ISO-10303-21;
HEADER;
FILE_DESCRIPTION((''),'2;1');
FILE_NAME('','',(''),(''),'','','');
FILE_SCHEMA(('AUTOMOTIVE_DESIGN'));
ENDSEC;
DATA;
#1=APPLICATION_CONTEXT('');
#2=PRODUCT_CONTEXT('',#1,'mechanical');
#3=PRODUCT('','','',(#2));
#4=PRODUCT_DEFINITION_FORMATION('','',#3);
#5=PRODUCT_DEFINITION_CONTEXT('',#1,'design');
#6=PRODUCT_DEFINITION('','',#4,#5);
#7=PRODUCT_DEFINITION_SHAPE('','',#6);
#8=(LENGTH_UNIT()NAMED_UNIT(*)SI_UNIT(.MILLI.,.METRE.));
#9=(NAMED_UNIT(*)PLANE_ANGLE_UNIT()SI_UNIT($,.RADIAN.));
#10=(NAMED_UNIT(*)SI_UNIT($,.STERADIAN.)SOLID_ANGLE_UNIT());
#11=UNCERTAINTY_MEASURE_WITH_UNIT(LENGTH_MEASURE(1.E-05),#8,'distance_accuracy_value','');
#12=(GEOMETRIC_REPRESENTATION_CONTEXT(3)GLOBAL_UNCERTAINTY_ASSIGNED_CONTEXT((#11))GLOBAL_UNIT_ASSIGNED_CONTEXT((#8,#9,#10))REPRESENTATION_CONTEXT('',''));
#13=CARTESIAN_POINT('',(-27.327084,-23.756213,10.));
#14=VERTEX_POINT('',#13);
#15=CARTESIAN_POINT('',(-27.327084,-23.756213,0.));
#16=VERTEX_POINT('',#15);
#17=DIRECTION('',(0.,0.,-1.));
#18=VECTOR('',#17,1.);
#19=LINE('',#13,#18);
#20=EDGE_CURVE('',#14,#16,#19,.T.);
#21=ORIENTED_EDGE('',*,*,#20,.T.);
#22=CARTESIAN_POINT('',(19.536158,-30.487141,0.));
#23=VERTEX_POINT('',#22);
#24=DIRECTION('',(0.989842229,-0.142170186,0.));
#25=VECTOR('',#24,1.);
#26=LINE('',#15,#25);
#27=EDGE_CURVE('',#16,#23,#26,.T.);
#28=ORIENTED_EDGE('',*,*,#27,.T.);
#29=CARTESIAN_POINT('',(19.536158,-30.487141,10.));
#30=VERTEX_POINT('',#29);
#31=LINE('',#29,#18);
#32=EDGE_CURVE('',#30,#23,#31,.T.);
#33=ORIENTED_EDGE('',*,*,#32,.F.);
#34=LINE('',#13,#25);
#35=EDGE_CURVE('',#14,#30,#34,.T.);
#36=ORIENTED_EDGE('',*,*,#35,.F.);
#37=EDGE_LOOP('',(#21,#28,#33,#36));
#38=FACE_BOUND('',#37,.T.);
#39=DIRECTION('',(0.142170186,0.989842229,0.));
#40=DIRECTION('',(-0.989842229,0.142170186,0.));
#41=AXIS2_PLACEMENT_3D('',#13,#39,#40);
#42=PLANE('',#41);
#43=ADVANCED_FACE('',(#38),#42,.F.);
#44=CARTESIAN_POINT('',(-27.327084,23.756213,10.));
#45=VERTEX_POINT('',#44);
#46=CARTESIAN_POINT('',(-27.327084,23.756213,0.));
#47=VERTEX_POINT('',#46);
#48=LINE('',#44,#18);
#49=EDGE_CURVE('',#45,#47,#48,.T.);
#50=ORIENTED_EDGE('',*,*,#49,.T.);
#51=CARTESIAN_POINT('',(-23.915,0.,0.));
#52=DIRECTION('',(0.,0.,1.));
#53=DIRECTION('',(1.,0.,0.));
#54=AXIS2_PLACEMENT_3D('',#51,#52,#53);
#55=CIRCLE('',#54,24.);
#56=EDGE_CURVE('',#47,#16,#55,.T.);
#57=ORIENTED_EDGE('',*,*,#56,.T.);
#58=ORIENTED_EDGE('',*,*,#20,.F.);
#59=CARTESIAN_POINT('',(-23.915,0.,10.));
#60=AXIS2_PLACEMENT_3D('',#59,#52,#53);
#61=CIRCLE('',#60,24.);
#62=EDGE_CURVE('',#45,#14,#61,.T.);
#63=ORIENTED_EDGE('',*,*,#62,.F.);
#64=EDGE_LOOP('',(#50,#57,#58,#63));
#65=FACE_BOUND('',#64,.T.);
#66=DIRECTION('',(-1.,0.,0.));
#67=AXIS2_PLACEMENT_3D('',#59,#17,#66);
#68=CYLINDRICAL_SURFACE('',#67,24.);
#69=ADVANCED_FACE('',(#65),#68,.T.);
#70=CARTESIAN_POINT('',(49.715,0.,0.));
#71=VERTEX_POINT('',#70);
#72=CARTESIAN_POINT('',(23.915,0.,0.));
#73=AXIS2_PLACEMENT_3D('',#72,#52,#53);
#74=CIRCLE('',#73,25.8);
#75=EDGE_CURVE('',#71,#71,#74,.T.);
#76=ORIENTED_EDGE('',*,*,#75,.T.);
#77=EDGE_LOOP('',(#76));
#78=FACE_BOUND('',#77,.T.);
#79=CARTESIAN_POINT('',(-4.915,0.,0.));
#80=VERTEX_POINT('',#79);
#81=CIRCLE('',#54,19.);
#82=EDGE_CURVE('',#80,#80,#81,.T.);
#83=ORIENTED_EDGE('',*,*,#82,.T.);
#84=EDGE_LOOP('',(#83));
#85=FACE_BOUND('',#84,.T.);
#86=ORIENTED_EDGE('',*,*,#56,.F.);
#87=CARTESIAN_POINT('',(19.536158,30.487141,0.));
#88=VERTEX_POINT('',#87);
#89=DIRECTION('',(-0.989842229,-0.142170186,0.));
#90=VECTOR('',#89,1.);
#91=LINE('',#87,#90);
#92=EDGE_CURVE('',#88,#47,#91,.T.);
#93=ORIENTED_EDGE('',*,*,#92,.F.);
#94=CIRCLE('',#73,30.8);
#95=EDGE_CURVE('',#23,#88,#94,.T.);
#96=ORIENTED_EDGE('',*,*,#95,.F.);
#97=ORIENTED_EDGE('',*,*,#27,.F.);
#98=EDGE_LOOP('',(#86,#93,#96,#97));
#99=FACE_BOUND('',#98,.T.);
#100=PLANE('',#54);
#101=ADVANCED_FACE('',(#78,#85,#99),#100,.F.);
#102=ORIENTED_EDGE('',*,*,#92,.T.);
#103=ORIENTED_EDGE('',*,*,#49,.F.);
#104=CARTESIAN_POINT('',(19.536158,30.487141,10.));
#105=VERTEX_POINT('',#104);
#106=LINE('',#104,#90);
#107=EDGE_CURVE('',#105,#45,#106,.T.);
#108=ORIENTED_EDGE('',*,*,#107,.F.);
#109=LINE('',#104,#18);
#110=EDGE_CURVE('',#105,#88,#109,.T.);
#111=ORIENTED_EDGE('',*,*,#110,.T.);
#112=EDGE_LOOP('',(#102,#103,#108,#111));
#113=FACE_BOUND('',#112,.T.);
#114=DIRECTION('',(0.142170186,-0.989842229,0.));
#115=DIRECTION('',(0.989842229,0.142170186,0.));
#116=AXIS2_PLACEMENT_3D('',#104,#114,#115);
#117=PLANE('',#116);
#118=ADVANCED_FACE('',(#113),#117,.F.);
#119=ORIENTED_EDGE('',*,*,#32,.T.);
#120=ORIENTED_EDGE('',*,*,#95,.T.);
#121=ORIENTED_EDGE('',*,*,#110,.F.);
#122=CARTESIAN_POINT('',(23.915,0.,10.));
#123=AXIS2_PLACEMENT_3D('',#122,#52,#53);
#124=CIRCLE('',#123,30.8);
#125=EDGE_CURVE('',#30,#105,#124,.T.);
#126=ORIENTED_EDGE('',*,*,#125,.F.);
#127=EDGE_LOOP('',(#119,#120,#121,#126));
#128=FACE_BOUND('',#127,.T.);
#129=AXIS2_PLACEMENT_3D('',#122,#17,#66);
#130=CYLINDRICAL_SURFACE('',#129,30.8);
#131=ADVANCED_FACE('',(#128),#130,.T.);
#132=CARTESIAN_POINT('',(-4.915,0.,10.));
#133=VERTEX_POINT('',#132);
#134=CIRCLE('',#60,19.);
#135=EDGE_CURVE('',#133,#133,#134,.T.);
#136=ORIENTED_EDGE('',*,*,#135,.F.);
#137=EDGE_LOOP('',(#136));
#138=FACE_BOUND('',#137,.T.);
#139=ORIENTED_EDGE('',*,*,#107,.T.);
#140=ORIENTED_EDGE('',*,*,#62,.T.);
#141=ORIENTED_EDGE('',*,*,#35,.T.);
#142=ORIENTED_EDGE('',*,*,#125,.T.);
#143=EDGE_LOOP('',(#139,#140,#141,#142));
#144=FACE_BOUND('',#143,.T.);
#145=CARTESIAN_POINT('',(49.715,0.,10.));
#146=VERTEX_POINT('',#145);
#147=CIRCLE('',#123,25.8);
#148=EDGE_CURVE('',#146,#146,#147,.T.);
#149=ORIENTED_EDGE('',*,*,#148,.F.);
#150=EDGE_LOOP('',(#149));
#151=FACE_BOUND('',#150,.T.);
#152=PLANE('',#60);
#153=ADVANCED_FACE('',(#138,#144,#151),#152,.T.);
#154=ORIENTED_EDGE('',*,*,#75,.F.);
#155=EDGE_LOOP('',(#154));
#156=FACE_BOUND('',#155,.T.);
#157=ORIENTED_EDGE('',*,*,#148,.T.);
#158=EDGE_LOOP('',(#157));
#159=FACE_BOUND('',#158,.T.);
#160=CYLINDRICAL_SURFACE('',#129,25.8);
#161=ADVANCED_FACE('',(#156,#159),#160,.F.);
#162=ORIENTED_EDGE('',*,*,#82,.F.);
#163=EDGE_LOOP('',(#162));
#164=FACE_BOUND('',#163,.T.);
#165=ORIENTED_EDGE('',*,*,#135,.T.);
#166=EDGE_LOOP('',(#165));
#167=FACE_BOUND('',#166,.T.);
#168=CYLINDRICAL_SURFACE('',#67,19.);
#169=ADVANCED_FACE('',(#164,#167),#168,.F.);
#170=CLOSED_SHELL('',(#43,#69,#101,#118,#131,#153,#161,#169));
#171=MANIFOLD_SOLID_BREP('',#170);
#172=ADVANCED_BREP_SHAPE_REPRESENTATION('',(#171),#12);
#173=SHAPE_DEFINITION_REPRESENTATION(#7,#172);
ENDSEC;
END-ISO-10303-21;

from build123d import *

# Parameters (mm, degrees)
ESBO_O1_R                = 25.8
ESBO_O1_R_2              = 19
RESSALTO_EXTRUS_O1_DEPTH = 10


with BuildPart() as part:
    # Esboço1 → Ressalto-extrusão1 (new body)
    with BuildSketch(Plane.XY):
        with BuildLine():
            Line((19.536158269, 30.487140651), (-27.327084466, 23.756213495))
            ThreePointArc((-27.327084466, 23.756213495), (-47.915, 0), (-27.327084466, -23.756213495))
            Line((-27.327084466, -23.756213495), (19.536158269, -30.487140651))
            ThreePointArc((19.536158269, -30.487140651), (54.715, 0), (19.536158269, 30.487140651))
        make_face()
        with Locations((23.915, 0)):
            Circle(ESBO_O1_R, mode=Mode.SUBTRACT)
        with Locations((-23.915, 0)):
            Circle(ESBO_O1_R_2, mode=Mode.SUBTRACT)
    extrude(amount=RESSALTO_EXTRUS_O1_DEPTH)


solid = part.part
